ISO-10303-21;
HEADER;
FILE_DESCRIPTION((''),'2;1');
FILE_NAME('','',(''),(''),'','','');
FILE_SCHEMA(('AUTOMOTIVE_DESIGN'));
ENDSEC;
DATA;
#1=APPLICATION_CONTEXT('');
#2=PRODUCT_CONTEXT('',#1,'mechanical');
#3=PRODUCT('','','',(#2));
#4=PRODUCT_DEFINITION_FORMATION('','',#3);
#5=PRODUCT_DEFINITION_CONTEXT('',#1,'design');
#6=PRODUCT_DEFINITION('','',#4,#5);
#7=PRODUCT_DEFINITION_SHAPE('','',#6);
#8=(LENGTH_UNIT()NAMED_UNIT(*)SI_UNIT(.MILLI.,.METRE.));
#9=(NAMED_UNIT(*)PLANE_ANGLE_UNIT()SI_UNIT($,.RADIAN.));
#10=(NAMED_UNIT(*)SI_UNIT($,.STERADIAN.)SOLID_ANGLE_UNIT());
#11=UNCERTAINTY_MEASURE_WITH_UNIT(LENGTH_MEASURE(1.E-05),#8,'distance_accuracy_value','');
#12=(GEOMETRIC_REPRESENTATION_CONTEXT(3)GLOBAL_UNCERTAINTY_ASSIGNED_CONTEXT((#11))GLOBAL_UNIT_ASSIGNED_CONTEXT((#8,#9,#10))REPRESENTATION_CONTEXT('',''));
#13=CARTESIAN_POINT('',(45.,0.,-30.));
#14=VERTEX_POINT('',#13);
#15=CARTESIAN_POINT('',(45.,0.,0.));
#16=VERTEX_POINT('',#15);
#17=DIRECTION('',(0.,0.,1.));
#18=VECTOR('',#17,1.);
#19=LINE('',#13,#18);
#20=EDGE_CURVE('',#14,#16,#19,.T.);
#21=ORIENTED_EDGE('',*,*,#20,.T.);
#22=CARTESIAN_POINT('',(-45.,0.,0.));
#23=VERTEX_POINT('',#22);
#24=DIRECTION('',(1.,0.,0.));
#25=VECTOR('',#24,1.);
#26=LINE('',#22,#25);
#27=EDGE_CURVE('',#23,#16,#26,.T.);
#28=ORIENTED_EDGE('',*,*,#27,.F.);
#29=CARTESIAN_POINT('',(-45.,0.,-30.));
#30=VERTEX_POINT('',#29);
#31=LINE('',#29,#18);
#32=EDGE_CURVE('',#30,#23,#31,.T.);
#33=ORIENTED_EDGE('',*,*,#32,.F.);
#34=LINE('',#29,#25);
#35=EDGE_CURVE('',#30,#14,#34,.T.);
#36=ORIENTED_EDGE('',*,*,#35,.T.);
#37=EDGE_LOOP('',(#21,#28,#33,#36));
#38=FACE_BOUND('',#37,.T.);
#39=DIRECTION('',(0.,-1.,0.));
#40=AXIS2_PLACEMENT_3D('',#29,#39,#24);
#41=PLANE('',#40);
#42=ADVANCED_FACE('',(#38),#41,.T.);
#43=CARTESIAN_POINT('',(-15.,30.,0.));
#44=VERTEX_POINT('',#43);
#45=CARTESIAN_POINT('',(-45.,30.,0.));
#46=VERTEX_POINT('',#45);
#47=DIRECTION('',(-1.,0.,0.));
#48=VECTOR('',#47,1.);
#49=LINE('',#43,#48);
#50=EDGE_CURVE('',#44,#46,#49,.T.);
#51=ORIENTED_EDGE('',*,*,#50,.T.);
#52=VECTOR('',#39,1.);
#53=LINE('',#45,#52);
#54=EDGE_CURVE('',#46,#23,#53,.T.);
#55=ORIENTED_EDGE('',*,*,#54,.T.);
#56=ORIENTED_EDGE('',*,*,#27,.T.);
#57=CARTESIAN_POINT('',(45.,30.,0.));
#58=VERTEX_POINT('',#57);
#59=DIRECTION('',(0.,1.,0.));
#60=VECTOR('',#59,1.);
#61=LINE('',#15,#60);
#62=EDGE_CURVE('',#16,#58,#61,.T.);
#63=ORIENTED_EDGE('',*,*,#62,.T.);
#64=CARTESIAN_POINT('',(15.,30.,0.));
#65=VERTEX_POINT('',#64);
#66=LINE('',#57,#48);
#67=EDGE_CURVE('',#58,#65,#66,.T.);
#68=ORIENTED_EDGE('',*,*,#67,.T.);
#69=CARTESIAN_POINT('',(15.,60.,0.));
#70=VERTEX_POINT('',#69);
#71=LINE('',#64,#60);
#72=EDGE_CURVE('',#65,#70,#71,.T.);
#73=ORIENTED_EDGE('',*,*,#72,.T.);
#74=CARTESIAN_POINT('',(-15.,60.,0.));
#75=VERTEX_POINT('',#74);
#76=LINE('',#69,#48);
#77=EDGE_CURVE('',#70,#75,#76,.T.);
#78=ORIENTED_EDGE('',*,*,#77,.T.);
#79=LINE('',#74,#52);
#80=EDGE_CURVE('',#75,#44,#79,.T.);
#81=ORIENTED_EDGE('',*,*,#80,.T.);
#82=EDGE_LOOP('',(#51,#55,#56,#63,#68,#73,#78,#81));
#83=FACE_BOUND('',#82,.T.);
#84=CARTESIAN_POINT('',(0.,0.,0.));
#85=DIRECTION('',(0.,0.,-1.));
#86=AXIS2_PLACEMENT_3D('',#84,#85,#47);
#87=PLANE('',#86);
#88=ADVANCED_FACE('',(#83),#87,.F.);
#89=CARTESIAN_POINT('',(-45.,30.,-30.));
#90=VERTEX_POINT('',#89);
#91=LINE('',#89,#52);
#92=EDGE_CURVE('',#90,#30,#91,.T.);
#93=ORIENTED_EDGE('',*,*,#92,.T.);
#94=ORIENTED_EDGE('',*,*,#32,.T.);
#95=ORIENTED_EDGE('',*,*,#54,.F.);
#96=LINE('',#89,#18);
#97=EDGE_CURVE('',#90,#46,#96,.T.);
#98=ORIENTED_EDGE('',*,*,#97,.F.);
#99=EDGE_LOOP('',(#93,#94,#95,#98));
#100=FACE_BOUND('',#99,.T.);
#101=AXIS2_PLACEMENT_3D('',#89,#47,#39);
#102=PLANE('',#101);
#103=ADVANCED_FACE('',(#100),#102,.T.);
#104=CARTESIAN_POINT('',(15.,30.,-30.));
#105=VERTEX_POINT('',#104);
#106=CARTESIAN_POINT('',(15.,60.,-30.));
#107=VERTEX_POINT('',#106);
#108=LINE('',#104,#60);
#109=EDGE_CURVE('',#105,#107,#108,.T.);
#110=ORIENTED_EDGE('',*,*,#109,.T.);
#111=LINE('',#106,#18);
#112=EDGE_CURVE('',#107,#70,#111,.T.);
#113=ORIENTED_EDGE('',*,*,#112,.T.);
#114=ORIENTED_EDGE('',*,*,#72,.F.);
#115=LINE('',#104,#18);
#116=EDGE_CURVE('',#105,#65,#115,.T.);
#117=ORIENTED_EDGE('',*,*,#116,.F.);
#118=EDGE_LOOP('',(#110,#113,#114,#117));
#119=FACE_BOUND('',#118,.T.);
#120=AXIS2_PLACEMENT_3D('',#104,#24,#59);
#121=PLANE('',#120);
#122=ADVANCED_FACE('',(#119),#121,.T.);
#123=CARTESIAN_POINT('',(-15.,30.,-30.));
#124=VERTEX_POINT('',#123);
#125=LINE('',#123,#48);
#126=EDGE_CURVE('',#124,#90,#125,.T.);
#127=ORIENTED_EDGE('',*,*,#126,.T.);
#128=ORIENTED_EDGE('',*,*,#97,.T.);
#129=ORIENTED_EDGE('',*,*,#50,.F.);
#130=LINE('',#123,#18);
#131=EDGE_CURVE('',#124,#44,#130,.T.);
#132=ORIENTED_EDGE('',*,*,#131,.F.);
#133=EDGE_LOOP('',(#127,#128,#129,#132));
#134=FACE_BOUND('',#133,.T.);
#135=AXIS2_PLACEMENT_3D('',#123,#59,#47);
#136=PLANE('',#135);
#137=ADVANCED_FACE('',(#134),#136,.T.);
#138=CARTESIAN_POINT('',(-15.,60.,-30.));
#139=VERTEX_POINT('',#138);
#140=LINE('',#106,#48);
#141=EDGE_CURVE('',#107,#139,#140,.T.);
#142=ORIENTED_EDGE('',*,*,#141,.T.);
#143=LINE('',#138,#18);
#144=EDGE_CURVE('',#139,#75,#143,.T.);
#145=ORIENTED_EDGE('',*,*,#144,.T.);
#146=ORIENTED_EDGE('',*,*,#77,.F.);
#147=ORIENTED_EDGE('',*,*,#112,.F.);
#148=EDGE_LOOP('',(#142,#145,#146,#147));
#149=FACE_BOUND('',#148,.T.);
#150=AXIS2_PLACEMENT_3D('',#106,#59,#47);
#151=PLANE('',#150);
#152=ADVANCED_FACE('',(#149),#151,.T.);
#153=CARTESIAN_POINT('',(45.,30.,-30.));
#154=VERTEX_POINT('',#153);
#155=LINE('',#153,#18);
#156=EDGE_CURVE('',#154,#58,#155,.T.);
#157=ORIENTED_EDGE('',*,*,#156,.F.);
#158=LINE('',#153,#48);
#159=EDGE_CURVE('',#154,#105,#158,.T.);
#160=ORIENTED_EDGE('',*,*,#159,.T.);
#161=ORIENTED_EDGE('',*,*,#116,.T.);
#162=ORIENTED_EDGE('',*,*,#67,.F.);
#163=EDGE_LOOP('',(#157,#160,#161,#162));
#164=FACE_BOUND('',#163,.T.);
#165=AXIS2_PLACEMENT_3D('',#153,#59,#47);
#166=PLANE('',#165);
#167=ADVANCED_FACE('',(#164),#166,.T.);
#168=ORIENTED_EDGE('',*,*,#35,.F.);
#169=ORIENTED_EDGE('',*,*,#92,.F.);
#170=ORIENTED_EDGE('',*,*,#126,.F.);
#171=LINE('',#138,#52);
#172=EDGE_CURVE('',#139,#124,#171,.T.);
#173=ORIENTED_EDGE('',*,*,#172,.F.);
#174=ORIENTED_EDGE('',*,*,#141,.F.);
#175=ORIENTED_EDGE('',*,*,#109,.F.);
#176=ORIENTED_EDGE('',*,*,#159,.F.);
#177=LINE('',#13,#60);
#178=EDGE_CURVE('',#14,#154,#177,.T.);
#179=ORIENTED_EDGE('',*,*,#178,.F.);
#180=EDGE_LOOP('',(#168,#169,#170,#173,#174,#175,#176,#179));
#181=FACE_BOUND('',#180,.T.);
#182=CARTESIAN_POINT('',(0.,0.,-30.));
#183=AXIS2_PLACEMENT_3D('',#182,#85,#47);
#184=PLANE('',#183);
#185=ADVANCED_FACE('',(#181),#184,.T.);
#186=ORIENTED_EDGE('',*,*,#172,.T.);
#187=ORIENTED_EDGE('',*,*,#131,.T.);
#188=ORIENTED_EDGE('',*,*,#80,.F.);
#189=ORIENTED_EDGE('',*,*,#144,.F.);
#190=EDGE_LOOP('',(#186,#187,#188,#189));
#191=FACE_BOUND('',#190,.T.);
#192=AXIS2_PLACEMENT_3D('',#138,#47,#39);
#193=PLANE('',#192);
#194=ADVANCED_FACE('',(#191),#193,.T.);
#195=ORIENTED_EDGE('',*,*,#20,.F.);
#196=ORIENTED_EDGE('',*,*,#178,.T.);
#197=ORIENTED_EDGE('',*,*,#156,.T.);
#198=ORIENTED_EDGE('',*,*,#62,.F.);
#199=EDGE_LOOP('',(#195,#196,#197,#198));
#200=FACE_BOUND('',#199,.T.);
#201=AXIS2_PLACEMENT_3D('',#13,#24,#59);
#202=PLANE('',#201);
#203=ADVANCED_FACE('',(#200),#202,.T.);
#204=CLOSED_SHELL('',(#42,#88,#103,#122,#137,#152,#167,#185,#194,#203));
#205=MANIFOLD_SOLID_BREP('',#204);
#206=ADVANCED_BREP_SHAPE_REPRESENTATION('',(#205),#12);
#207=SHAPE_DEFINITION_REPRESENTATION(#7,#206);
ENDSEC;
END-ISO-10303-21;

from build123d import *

# Parameters (mm, degrees)
BOSS_EXTRUDE1_DEPTH = 30


with BuildPart() as part:
    # Sketch1 → Boss-Extrude1 (new body)
    with BuildSketch(Plane.XY):
        Polygon((-45, 0), (45, 0), (45, 30), (15, 30), (15, 60), (-15, 60), (-15, 30), (-45, 30), align=None)
    extrude(amount=-BOSS_EXTRUDE1_DEPTH)


solid = part.part
